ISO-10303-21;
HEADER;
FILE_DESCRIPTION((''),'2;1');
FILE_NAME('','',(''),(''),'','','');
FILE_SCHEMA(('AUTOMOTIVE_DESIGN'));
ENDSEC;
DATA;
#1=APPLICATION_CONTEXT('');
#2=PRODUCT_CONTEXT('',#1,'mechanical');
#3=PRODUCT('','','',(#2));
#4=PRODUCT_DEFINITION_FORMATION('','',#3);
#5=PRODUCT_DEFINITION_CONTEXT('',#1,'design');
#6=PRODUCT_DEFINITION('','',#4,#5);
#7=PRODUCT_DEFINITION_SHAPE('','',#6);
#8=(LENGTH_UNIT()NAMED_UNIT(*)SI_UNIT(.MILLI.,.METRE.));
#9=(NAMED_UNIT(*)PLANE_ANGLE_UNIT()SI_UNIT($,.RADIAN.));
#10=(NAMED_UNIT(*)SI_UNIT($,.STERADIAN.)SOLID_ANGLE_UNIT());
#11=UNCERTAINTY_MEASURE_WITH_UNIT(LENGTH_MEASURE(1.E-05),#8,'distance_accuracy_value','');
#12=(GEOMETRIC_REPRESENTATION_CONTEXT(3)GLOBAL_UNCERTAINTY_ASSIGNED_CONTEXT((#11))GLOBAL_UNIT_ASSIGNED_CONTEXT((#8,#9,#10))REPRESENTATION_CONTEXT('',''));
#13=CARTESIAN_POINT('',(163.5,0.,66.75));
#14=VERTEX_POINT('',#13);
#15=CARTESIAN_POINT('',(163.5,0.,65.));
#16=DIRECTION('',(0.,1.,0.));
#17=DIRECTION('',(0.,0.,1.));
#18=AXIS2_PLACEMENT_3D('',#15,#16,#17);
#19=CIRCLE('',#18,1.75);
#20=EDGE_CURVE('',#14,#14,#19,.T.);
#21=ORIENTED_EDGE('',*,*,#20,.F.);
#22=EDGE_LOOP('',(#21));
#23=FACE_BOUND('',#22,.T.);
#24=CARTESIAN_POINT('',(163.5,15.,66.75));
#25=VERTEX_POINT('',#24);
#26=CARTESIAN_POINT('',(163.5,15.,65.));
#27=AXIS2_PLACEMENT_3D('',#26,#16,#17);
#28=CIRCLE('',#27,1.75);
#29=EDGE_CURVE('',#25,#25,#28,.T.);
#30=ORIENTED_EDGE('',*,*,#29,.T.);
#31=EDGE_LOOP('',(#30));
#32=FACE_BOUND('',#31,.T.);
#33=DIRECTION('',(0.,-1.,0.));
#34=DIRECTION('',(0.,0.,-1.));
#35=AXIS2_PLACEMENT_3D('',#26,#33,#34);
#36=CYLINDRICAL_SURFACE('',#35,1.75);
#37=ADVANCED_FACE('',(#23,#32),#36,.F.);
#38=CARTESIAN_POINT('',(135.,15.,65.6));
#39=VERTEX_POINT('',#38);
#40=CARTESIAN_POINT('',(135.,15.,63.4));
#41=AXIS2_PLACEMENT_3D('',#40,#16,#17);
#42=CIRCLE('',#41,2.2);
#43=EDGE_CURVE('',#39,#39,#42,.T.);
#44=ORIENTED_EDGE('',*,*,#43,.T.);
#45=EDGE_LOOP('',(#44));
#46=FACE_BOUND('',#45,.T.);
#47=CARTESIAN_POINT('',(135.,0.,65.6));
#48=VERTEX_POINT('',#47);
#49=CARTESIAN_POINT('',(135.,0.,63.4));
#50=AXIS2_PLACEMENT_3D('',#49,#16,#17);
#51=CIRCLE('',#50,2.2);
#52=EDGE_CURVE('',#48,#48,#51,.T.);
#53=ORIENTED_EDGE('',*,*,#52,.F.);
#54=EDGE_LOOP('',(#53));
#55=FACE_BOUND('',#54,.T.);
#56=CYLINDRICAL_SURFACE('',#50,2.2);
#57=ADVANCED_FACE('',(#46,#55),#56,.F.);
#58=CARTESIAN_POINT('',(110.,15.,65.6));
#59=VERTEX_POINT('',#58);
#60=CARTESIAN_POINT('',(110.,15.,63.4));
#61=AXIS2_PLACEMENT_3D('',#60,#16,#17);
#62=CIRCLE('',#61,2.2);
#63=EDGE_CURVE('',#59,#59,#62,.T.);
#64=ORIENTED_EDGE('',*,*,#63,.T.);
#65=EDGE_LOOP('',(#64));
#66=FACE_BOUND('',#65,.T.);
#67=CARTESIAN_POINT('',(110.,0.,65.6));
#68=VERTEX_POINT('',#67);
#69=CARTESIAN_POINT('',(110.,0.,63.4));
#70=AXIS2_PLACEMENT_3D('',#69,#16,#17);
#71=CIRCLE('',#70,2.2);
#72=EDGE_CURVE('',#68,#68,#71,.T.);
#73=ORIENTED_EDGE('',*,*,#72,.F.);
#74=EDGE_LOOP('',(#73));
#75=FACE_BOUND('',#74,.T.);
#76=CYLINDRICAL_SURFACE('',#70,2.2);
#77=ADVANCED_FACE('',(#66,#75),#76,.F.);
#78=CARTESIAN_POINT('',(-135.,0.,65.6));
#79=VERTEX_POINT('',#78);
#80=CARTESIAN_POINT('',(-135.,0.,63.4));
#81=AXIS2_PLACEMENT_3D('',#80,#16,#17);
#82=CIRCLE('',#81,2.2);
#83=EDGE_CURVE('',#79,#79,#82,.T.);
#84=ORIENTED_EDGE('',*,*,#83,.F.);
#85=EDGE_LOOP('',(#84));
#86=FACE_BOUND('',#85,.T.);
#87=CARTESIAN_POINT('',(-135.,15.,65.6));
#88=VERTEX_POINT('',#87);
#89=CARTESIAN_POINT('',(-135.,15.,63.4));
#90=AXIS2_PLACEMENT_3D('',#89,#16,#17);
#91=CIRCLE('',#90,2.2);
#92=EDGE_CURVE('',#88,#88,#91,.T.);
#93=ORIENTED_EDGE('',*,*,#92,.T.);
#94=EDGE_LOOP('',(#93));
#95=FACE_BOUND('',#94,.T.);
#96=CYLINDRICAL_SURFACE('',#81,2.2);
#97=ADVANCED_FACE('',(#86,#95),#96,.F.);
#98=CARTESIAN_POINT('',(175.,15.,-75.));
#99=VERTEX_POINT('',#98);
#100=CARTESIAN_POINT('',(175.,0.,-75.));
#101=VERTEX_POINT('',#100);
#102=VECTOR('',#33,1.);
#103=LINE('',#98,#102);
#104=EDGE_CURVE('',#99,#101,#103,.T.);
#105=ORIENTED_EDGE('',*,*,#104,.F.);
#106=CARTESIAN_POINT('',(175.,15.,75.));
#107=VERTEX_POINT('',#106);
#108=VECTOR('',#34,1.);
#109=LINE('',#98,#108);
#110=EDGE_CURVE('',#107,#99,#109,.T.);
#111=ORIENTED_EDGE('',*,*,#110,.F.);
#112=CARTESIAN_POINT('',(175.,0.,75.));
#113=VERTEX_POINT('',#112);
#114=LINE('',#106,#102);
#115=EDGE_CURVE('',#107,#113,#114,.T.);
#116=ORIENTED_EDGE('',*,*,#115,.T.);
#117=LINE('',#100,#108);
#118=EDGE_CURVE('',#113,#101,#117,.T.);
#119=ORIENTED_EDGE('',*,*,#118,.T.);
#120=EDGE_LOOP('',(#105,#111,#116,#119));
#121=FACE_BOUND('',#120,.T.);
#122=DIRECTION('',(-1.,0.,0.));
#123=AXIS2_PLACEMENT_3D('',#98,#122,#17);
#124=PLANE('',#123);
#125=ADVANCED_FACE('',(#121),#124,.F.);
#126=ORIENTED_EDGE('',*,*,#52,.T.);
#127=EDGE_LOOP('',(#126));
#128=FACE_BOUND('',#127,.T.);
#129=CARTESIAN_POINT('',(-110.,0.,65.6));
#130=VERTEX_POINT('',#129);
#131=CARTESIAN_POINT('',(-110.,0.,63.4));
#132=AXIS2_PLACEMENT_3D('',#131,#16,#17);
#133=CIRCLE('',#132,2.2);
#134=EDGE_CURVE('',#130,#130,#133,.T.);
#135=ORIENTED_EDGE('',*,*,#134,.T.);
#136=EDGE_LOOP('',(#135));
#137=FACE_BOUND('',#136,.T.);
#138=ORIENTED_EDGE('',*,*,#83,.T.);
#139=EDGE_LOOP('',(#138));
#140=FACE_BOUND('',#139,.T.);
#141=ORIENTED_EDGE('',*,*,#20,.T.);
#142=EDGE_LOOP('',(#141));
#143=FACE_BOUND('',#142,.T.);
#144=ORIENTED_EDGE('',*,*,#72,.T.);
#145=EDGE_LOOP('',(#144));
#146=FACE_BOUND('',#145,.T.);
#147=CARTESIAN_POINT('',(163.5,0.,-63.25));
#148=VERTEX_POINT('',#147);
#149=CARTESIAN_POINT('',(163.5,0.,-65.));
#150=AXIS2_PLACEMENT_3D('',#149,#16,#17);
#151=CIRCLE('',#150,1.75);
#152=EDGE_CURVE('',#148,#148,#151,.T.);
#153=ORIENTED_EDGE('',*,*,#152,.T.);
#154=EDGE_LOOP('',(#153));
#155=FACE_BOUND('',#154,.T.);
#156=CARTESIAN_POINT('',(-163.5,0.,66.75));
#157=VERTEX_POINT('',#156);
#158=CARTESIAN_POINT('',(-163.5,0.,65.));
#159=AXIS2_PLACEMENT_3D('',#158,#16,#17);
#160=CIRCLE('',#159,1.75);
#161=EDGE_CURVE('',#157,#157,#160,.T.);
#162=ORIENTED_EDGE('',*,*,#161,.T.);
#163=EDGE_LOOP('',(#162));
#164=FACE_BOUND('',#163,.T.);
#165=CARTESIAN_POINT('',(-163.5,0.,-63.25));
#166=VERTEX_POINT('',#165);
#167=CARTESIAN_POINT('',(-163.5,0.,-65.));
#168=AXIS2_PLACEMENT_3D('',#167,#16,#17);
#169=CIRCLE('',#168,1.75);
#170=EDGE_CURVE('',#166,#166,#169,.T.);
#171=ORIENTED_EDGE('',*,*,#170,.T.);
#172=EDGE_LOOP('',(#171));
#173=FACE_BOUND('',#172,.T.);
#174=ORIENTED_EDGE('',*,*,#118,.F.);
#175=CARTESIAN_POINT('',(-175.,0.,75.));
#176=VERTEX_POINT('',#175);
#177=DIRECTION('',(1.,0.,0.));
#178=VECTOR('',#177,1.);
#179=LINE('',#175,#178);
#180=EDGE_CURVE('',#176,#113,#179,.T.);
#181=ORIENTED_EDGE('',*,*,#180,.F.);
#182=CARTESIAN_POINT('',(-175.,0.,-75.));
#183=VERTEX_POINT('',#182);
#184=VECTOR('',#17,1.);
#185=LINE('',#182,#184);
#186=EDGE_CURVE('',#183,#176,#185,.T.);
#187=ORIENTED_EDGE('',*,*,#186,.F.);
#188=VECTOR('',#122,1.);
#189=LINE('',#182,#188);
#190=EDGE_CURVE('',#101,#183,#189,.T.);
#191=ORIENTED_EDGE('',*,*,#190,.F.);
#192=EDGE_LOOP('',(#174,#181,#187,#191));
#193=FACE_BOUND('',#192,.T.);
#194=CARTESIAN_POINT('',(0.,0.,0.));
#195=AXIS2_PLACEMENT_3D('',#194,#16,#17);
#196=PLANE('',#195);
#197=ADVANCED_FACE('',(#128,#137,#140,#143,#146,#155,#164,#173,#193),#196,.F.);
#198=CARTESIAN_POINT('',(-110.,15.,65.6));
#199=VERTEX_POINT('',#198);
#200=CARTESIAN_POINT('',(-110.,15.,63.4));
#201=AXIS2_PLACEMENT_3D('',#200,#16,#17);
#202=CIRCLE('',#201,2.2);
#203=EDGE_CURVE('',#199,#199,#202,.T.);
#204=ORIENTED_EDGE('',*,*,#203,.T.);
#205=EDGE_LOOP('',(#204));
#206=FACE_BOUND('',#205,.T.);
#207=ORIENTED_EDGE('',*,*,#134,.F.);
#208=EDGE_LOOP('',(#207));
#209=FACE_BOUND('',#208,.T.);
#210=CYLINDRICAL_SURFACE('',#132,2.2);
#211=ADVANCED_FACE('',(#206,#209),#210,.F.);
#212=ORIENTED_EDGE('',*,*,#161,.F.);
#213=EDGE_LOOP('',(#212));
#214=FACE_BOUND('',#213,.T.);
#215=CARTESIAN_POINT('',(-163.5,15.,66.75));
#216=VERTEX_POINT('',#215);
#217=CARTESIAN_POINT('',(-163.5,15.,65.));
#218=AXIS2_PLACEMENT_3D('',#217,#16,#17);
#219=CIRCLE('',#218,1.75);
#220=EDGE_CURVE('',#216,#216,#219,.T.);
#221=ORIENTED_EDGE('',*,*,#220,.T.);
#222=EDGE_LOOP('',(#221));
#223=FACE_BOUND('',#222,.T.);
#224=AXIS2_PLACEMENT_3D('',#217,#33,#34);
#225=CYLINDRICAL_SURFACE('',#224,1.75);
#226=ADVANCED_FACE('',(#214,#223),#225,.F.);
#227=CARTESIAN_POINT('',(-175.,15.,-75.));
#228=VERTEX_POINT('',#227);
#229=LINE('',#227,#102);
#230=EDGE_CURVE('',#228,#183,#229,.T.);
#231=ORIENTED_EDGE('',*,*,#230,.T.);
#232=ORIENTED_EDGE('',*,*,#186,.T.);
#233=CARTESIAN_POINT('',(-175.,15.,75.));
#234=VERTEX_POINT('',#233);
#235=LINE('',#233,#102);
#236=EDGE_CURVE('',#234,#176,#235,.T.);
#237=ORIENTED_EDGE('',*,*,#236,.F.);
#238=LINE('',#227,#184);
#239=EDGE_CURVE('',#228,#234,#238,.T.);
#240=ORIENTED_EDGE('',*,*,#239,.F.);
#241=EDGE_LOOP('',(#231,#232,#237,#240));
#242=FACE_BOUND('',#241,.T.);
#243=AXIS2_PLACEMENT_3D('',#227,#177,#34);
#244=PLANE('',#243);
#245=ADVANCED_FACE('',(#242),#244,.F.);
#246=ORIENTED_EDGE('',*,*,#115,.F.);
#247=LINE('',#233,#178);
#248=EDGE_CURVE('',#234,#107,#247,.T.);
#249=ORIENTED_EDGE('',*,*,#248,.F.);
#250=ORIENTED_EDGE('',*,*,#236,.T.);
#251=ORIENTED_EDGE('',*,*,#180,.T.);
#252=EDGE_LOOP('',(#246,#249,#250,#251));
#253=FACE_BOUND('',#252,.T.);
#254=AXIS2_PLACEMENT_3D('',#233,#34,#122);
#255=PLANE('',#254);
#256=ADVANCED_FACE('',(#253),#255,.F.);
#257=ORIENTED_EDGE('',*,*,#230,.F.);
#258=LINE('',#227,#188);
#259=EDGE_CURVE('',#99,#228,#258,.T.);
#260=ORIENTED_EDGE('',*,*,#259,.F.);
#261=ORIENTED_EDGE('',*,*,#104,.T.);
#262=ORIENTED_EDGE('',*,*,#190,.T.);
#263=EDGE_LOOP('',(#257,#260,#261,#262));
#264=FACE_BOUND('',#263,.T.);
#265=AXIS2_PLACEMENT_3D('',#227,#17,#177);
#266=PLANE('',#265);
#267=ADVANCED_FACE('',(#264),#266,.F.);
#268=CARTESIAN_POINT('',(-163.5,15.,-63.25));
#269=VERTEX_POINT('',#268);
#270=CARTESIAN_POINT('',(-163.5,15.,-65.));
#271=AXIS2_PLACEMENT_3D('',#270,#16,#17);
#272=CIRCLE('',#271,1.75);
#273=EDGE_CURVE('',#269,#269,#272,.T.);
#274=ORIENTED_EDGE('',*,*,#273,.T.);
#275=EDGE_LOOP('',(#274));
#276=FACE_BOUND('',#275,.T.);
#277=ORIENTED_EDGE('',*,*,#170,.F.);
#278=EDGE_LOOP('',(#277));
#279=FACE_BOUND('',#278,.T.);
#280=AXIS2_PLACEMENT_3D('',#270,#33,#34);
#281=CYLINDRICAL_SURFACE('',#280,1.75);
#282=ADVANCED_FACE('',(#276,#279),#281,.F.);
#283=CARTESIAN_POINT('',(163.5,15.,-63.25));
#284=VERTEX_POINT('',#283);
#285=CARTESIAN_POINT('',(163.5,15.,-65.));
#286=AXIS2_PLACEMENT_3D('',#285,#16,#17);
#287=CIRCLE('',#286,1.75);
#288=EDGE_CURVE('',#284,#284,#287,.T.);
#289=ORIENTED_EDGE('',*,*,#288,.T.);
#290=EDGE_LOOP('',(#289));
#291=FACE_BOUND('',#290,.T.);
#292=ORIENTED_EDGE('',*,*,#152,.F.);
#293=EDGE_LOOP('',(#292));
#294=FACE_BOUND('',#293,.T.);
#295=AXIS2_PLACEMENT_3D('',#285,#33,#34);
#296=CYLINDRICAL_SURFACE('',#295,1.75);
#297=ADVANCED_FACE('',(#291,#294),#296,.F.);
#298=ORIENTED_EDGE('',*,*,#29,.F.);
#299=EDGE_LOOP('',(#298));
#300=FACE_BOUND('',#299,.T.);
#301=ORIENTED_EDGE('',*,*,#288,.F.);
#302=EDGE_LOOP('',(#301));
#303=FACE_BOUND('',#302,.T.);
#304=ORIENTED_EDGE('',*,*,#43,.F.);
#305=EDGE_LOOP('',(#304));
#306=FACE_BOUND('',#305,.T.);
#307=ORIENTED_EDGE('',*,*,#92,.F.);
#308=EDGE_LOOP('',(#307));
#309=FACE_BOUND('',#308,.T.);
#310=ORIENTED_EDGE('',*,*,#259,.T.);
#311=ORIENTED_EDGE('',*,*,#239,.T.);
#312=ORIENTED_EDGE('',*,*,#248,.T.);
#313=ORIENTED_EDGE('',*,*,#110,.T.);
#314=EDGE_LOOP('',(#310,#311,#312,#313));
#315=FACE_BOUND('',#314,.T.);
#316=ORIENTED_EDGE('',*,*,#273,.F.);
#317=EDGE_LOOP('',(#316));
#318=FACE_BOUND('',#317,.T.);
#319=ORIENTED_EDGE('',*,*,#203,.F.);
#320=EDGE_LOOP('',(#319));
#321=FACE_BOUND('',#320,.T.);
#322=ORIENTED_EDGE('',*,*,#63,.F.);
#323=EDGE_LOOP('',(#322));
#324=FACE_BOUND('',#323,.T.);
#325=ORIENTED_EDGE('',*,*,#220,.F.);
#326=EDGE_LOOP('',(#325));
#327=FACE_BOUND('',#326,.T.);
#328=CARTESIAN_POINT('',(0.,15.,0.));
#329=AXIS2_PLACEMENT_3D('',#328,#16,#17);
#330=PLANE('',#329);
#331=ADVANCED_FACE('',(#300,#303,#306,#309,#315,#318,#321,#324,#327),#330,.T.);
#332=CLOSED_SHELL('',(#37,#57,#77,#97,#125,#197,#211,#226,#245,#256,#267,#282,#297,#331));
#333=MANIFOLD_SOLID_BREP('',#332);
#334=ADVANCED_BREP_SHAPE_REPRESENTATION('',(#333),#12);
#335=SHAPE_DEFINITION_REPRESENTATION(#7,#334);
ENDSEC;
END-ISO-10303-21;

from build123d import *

# Parameters (mm, degrees)
SKETCH1_W           = 350
SKETCH1_H           = 150
SKETCH1_R           = 1.75
BOSS_EXTRUDE1_DEPTH = 15
SKETCH2_R           = 2.2
CUT_EXTRUDE1_DEPTH  = 16


with BuildPart() as part:
    # Sketch1 → Boss-Extrude1 (new body)
    with BuildSketch(Plane(origin=(0, 0, 0), x_dir=(1, 0, 0), z_dir=(0, 1, 0))):
        Rectangle(SKETCH1_W, SKETCH1_H)
        with Locations((163.5, 65)):
            Circle(SKETCH1_R, mode=Mode.SUBTRACT)
        with Locations((163.5, -65)):
            Circle(SKETCH1_R, mode=Mode.SUBTRACT)
        with Locations((-163.5, -65)):
            Circle(SKETCH1_R, mode=Mode.SUBTRACT)
        with Locations((-163.5, 65)):
            Circle(SKETCH1_R, mode=Mode.SUBTRACT)
    extrude(amount=BOSS_EXTRUDE1_DEPTH)

    # Sketch2 → Cut-Extrude1 (cut, through all)
    with BuildSketch(Plane(origin=(0, 15, 0), x_dir=(1, 0, 0), z_dir=(0, 1, 0))):
        with Locations((-135, -63.4)):
            Circle(SKETCH2_R)
        with Locations((-110, -63.4)):
            Circle(SKETCH2_R)
        with Locations((135, -63.4)):
            Circle(SKETCH2_R)
        with Locations((110, -63.4)):
            Circle(SKETCH2_R)
    extrude(amount=-CUT_EXTRUDE1_DEPTH, mode=Mode.SUBTRACT)


solid = part.part
